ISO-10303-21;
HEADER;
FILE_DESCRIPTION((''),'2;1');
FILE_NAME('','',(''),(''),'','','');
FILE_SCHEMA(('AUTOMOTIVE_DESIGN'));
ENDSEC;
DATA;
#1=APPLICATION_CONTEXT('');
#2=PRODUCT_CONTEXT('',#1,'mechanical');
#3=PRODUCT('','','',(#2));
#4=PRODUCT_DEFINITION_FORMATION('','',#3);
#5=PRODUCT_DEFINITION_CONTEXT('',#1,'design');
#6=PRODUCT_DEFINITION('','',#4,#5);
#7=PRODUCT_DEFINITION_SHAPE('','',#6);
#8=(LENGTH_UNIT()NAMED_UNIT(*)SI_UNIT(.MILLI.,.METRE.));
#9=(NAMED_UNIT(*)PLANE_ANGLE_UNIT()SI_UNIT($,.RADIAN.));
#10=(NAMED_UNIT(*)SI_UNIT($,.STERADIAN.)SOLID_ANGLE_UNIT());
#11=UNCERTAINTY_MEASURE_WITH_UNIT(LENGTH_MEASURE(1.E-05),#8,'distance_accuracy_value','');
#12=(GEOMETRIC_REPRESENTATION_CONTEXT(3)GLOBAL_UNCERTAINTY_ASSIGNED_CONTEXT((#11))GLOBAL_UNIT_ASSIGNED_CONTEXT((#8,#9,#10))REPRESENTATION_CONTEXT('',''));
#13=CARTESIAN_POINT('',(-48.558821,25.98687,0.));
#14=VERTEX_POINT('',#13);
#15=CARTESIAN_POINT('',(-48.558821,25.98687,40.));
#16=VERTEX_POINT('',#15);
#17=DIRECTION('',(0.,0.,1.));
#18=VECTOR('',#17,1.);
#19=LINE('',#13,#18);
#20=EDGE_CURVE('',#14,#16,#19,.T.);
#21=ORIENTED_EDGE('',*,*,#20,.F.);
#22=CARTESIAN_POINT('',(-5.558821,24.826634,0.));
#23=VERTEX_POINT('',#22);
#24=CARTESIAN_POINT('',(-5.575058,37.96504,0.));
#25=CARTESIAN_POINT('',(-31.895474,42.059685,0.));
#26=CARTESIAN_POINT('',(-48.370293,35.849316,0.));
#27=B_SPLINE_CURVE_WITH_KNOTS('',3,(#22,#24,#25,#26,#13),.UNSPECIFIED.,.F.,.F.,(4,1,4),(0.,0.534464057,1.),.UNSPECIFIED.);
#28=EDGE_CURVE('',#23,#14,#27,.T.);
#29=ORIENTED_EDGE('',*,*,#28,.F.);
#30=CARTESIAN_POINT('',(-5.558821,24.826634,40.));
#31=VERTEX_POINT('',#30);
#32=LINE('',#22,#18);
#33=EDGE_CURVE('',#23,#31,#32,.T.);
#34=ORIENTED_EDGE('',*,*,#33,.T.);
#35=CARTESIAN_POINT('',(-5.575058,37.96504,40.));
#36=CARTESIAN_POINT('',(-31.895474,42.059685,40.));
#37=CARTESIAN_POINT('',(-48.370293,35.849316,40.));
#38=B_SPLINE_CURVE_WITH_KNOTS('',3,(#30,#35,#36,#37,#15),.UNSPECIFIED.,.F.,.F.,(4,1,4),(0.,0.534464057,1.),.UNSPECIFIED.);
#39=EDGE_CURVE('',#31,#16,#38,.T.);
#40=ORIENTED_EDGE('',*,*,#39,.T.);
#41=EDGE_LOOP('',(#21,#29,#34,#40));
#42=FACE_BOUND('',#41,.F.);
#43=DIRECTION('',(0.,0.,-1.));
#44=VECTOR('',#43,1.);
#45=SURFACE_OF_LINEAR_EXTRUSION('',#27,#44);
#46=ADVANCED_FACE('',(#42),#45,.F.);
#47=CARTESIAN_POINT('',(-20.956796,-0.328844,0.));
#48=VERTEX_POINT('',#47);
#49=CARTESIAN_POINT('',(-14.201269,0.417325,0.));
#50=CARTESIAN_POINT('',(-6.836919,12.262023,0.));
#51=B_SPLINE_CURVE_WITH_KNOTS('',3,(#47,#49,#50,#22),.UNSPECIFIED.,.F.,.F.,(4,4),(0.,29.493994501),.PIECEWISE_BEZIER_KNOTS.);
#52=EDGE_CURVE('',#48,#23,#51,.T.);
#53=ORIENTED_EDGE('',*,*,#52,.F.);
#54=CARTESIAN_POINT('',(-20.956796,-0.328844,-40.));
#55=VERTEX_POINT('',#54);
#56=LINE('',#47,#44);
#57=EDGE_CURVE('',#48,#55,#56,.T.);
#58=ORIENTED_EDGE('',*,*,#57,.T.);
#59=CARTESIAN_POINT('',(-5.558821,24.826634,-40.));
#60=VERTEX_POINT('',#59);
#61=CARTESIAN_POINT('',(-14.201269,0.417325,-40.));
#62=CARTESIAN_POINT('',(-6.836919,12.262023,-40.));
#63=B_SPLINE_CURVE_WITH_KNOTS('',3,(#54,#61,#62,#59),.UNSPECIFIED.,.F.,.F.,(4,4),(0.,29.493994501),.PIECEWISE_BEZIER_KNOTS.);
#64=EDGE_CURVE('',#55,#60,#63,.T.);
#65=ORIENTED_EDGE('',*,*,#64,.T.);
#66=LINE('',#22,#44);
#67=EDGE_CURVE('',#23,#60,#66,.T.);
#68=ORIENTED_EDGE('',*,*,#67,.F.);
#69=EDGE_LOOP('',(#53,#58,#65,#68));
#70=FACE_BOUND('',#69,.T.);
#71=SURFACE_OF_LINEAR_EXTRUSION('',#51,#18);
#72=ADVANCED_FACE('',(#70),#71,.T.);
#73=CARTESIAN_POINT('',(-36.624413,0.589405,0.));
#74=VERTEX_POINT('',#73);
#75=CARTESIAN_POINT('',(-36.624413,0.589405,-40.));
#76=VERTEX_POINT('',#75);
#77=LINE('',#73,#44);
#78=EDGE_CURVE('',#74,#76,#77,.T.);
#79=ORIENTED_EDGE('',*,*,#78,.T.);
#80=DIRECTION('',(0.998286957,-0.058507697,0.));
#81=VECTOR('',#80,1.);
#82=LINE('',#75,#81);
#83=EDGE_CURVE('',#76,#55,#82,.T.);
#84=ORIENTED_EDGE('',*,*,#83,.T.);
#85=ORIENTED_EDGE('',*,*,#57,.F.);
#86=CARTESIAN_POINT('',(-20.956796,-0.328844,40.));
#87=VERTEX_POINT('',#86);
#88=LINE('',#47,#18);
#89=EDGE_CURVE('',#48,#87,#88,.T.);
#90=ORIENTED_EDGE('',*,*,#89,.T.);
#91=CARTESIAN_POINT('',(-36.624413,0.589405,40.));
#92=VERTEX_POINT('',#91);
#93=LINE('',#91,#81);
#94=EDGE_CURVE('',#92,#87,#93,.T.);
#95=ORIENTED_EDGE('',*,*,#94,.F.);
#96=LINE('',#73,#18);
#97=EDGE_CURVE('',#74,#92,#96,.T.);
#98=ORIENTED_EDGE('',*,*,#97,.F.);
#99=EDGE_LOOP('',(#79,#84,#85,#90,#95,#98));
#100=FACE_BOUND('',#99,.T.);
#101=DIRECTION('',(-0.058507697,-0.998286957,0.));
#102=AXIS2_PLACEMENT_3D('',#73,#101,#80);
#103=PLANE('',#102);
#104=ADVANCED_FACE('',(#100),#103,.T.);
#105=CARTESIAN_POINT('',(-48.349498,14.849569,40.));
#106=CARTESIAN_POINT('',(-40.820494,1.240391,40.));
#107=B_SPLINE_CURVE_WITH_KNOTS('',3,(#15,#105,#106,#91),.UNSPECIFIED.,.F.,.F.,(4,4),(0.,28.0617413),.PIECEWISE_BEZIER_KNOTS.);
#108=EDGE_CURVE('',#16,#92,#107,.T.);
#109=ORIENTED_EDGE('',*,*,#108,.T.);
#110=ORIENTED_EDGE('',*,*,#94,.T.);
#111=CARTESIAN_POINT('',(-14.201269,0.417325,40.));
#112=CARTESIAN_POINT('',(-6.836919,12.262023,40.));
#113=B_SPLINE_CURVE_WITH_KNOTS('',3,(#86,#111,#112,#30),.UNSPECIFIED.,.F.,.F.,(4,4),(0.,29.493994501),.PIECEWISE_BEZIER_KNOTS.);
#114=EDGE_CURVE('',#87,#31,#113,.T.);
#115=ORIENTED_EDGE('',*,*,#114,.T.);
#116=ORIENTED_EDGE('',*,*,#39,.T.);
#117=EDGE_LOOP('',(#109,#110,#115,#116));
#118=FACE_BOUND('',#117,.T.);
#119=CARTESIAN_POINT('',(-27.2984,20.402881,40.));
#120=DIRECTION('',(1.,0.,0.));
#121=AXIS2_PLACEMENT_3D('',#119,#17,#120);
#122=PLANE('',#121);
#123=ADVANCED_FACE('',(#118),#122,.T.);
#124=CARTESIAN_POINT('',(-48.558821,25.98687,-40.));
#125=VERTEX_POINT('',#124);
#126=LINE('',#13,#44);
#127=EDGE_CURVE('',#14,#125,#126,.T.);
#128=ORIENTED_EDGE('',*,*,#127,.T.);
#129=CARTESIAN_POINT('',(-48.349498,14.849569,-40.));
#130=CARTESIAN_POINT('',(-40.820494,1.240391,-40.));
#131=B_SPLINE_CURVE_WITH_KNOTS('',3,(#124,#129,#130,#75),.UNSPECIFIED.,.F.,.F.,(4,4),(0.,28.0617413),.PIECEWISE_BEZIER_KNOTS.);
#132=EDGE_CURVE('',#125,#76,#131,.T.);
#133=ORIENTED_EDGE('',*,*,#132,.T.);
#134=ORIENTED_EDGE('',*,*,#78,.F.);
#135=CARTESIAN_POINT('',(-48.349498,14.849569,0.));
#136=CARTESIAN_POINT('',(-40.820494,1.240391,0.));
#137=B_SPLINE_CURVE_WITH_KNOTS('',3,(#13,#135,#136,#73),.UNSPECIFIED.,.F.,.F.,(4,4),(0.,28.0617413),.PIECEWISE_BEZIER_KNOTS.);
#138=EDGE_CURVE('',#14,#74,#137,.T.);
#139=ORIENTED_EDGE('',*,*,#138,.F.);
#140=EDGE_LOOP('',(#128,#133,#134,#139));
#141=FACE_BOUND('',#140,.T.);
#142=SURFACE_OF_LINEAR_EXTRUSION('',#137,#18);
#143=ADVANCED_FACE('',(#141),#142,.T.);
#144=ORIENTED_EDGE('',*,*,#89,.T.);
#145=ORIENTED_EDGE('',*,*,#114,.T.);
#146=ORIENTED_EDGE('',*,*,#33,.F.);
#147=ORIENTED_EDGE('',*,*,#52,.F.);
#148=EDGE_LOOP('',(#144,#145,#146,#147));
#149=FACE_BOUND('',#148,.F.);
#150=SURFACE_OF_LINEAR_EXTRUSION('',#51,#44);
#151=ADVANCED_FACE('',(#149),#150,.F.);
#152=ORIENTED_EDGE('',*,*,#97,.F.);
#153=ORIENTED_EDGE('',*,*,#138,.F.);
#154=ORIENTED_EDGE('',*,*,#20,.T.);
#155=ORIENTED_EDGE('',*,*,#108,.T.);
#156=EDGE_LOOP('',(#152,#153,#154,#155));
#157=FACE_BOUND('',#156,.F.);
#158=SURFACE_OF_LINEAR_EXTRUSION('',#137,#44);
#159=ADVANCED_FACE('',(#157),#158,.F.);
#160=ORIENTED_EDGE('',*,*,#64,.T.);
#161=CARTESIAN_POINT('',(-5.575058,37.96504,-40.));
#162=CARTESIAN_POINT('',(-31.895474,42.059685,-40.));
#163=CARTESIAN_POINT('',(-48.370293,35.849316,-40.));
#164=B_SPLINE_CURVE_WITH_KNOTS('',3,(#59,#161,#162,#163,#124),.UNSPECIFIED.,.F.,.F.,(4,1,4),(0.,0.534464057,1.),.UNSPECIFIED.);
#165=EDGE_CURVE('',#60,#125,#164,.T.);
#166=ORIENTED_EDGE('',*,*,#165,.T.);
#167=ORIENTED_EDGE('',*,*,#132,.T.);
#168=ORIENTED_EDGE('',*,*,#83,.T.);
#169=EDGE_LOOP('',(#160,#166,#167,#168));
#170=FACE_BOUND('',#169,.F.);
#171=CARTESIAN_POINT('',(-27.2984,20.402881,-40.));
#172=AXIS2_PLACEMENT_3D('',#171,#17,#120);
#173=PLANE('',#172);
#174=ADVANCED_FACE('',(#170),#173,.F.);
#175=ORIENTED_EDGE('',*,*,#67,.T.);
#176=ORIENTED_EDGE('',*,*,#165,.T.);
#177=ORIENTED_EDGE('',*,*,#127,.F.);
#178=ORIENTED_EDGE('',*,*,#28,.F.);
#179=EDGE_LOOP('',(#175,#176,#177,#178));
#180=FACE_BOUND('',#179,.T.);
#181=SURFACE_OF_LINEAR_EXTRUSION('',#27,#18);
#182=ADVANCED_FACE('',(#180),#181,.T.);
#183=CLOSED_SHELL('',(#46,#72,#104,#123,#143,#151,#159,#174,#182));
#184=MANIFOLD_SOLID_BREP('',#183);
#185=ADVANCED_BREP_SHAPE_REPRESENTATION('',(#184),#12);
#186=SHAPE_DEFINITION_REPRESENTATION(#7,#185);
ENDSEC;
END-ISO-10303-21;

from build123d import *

# Parameters (mm, degrees)
F1_DEPTH = 40


with BuildPart() as f1:
    # F0 (on Top) → F1 (new body, symmetric)
    with BuildSketch(Plane.XY):
        with BuildLine():
            Line((-36.6244126005, 0.5894053388), (-20.9567960092, -0.328843824))
            add(Edge.make_bspline(
                [(-20.9567960092, -0.328843824), (-14.2012694783, 0.4173248809), (-6.8369193855, 12.2620229022), (-5.5588211715, 24.8266343568)],
                knots=[0, 0, 0, 0, 29.4939945007, 29.4939945007, 29.4939945007, 29.4939945007], degree=3))
            add(Edge.make_bspline(
                [(-5.5588211715, 24.8266343568), (-5.5750581018, 37.9650398802), (-31.8954744409, 42.0596854331), (-48.3702925247, 35.8493162955), (-48.5588211715, 25.9868701107)],
                knots=[0, 0, 0, 0, 0.5344640568, 1, 1, 1, 1], degree=3))
            add(Edge.make_bspline(
                [(-48.5588211715, 25.9868701107), (-48.3494981041, 14.8495689168), (-40.8204943883, 1.2403906728), (-36.6244126005, 0.5894053388)],
                knots=[0, 0, 0, 0, 28.0617412999, 28.0617412999, 28.0617412999, 28.0617412999], degree=3))
        make_face()
    extrude(amount=F1_DEPTH, both=True)


solid = f1.part
